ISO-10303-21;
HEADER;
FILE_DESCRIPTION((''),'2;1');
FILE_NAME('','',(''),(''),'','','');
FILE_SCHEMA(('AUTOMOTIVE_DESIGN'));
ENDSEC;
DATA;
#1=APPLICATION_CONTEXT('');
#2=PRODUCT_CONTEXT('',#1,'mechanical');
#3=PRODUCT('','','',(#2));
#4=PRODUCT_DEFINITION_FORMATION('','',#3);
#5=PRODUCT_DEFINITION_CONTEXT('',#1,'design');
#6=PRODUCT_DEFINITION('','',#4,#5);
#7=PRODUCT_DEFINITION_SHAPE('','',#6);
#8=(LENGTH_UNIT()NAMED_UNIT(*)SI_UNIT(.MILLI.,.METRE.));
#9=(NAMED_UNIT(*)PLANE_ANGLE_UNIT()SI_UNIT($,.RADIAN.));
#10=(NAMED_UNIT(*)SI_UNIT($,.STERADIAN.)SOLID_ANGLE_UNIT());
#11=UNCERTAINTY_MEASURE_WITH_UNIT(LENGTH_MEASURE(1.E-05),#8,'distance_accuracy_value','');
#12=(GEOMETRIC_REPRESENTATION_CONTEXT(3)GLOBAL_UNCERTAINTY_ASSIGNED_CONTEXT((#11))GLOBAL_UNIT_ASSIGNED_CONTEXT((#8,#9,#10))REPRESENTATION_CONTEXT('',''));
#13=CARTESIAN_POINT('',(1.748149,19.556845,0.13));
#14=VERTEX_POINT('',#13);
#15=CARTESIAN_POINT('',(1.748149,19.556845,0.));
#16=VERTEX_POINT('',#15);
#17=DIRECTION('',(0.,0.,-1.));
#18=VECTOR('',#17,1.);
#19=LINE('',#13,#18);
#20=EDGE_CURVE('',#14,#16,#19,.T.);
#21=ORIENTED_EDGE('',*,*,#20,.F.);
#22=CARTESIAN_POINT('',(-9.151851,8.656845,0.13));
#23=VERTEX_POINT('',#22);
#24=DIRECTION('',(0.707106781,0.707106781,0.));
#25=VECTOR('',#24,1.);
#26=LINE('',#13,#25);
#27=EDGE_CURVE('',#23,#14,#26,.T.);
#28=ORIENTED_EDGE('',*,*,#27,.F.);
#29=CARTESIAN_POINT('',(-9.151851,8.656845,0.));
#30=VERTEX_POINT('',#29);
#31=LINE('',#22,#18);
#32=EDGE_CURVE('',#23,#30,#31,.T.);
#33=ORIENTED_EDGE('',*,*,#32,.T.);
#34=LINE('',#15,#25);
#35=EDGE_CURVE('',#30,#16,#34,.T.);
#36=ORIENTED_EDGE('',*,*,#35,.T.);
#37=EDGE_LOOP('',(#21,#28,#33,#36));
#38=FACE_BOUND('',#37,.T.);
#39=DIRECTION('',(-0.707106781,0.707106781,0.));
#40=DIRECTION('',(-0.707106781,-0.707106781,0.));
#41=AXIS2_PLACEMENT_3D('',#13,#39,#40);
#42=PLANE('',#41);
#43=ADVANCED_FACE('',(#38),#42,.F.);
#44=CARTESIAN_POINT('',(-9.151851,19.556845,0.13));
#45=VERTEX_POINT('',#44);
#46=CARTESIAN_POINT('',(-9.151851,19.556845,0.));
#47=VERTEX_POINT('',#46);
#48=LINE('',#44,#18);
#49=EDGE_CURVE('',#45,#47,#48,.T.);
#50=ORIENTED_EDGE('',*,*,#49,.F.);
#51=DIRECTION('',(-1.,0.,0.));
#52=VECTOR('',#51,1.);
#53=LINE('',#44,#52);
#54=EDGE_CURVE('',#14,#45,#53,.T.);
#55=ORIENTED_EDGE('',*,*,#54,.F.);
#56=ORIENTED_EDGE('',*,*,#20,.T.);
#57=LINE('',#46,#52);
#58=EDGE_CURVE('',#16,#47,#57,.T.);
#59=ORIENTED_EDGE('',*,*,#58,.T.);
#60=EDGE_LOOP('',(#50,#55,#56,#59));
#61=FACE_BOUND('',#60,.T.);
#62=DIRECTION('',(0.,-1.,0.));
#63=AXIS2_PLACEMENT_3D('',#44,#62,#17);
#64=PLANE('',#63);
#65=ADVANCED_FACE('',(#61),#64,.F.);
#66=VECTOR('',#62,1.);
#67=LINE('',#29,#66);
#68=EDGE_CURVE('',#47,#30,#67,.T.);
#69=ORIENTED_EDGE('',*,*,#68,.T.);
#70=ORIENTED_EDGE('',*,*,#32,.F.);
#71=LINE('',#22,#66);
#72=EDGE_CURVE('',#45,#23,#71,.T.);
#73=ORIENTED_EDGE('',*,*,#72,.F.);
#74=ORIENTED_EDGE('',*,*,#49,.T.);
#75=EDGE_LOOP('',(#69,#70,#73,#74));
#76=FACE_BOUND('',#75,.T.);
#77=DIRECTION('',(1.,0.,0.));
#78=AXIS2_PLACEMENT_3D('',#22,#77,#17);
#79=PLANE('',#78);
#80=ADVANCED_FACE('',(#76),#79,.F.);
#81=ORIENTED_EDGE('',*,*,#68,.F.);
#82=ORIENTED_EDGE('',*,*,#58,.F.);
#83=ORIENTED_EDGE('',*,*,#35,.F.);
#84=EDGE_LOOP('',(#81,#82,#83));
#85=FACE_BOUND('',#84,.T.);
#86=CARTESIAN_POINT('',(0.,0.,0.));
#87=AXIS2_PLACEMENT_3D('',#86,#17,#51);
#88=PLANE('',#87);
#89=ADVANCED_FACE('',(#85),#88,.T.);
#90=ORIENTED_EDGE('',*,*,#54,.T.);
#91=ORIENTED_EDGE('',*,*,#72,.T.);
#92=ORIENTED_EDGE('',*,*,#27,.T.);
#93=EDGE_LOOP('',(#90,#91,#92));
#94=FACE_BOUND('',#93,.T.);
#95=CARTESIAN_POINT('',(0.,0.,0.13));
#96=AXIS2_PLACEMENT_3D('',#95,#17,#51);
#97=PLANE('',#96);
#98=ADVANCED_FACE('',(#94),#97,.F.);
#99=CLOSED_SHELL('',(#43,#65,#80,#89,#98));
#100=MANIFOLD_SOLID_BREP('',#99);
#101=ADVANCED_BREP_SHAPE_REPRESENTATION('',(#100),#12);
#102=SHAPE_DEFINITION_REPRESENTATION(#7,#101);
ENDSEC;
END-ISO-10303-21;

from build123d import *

# Parameters (mm, degrees)
BOSS_EXTRUDE1_DEPTH = 0.13


with BuildPart() as part:
    # Sketch2 → Boss-Extrude1 (new body)
    with BuildSketch(Plane.XY):
        Polygon((-9.15185069, 19.556844847), (1.74814931, 19.556844847), (-9.15185069, 8.656844847), align=None)
    extrude(amount=BOSS_EXTRUDE1_DEPTH)


solid = part.part
